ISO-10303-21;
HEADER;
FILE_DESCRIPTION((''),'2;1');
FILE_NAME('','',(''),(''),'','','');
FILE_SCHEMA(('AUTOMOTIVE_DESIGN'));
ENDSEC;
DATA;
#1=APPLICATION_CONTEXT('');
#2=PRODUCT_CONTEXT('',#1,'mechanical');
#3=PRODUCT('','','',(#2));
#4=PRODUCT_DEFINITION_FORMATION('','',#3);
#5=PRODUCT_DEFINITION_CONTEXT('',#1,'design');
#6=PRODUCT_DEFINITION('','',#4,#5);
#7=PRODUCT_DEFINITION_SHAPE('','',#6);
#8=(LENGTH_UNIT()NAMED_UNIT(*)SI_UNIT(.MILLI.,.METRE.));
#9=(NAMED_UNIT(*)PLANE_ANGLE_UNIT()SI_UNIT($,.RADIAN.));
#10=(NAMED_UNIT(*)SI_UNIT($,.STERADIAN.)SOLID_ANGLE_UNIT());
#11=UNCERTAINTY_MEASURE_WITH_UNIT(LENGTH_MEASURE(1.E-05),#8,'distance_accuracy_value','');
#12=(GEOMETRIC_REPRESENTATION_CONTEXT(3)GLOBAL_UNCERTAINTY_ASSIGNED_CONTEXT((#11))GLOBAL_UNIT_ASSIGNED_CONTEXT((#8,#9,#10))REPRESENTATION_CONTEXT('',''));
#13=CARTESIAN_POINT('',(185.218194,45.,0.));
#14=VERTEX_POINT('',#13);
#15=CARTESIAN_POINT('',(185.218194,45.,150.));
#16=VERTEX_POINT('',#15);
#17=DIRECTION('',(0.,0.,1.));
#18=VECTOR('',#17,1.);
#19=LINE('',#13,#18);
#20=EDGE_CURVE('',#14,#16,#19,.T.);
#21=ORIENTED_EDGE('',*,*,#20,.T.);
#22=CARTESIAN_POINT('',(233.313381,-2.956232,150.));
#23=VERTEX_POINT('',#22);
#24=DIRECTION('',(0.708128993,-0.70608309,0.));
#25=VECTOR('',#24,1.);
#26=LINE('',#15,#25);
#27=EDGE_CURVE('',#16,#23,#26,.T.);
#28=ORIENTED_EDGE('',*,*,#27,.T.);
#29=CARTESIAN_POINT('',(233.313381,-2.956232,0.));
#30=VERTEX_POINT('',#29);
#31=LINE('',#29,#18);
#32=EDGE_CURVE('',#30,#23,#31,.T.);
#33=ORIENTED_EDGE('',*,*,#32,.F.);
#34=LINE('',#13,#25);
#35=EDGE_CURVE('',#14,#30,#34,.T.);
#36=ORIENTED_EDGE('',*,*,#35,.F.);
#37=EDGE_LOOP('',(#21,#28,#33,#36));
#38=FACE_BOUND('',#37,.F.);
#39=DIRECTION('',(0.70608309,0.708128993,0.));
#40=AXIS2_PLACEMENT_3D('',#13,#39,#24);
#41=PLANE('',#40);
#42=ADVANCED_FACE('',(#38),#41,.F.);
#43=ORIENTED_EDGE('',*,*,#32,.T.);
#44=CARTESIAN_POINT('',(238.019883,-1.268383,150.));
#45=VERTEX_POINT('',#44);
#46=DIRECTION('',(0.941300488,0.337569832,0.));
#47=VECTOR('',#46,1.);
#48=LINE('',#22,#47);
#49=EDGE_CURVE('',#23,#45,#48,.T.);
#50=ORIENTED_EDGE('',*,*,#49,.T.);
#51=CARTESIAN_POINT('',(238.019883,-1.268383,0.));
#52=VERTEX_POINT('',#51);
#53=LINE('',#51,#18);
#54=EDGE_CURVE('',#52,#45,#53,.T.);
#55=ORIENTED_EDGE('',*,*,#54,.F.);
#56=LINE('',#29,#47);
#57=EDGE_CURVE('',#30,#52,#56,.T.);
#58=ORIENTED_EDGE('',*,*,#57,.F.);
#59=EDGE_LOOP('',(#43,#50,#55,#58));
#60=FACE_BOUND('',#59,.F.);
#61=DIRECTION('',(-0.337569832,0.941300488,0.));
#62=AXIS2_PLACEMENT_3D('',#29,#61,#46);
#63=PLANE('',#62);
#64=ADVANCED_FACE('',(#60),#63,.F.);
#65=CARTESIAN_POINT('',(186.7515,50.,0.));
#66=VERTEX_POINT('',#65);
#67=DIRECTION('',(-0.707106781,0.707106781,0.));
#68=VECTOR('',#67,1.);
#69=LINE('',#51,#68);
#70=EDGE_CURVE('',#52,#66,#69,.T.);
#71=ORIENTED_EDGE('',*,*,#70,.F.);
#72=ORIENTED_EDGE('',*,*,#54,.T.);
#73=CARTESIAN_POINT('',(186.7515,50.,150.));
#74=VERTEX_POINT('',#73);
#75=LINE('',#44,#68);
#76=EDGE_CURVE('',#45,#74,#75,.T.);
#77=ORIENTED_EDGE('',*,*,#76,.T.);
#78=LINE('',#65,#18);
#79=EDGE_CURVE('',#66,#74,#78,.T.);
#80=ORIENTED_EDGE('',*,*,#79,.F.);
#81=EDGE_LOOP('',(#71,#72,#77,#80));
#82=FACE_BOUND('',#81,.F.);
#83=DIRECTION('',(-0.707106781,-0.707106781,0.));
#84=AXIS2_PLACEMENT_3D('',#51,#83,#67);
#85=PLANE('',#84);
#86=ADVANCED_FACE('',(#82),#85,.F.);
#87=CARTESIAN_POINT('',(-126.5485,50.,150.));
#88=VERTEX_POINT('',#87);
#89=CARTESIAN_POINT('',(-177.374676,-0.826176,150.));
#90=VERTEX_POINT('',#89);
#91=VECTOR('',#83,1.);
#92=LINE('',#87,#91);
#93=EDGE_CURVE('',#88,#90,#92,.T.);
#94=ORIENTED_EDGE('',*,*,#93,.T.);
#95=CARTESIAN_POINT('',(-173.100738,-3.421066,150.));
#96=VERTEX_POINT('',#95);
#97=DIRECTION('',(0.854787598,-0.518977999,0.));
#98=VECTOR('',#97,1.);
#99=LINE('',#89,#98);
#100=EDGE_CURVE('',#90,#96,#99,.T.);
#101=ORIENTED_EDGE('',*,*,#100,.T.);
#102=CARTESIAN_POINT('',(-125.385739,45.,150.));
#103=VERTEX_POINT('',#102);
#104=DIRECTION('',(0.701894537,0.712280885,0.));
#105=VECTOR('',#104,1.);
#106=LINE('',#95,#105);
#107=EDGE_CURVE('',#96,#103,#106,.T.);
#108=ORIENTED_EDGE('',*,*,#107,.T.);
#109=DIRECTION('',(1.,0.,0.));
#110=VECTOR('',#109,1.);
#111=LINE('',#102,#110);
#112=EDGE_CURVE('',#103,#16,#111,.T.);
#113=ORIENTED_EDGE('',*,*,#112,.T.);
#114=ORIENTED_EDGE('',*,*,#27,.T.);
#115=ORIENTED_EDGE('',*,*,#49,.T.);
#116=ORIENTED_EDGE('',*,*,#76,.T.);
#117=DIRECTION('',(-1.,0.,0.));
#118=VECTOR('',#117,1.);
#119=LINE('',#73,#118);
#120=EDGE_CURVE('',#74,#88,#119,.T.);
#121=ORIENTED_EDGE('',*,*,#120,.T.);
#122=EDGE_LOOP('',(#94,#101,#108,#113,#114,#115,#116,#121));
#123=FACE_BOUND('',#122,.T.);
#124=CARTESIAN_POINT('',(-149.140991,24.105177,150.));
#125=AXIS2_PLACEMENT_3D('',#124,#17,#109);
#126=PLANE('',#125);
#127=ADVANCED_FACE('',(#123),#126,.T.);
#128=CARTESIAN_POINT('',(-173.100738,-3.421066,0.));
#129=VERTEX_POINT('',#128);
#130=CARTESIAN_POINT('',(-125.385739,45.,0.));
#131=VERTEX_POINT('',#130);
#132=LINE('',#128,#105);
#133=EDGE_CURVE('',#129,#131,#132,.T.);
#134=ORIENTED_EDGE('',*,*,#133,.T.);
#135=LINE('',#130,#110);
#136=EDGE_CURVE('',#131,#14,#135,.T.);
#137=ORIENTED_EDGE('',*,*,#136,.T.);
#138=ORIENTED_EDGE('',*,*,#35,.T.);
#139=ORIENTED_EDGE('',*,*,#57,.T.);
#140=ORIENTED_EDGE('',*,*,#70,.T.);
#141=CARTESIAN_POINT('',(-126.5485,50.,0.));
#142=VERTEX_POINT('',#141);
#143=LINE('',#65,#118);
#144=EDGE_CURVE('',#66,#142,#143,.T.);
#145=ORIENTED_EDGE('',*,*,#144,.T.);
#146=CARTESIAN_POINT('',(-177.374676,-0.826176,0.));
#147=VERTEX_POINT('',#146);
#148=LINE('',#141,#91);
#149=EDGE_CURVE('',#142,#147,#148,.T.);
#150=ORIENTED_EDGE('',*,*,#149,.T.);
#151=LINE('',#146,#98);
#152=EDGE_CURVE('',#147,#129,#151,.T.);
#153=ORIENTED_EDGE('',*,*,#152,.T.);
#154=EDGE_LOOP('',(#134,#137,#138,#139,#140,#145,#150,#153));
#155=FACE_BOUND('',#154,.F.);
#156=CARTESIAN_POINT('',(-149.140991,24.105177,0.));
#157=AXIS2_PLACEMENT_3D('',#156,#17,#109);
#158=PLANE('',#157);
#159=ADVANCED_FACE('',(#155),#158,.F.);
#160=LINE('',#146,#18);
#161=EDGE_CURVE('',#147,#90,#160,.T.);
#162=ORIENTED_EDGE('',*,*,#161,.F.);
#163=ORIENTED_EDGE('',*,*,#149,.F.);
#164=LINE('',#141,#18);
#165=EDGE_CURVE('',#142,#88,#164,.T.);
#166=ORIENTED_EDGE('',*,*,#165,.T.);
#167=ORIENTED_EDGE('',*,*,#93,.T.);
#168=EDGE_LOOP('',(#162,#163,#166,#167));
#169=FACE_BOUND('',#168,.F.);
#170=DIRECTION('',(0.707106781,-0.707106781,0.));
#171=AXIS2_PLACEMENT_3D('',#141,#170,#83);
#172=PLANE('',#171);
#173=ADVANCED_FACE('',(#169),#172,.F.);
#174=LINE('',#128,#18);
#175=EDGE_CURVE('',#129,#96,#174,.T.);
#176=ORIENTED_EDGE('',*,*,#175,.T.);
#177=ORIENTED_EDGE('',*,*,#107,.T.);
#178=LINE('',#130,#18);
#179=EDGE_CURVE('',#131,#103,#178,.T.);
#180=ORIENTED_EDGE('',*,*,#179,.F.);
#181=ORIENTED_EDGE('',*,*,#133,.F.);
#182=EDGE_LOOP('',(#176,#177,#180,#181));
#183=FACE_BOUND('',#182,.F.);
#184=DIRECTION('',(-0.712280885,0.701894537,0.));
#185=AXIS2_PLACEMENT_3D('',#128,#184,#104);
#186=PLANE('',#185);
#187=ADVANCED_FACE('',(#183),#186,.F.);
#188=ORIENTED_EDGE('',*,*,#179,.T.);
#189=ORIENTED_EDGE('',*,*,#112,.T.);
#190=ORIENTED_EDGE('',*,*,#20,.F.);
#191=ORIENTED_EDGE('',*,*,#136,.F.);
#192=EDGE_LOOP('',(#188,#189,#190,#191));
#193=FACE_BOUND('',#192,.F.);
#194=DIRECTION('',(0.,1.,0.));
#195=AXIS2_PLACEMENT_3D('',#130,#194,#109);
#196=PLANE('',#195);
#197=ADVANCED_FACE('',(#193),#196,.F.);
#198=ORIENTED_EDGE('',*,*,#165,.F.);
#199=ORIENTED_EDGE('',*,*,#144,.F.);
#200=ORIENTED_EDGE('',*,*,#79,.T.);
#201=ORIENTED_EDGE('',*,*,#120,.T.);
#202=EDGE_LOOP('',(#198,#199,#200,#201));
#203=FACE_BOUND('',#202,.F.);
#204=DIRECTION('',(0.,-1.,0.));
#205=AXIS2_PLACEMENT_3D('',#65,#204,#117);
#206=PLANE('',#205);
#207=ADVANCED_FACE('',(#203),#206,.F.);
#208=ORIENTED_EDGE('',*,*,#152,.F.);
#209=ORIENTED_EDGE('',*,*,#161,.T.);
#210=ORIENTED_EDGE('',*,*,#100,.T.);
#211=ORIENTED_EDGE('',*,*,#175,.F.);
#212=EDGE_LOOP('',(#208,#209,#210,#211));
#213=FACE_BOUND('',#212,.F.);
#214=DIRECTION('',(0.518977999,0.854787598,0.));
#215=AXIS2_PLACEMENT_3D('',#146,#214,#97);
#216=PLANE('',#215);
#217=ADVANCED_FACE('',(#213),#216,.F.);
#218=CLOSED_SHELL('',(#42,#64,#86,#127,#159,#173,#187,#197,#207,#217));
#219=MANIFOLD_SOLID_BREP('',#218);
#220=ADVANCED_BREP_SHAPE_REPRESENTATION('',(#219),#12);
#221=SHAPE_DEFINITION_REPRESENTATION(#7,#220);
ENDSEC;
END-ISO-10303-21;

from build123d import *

# Parameters (mm, degrees)
F2_DEPTH = 150


with BuildPart() as f2:
    # F1 (on Top) → F2 (new body)
    with BuildSketch(Plane.XY):
        Polygon((-120.458648, 50), (-126.5485, 50), (-177.374676, -0.826176), (-173.100738, -3.421066), (-125.385739, 45), align=None)
        Polygon((180.203707, 50), (-120.458648, 50), (-125.385739, 45), (185.218194, 45), align=None)
        Polygon((186.7515, 50), (180.203707, 50), (185.218194, 45), (233.313381, -2.956232), (238.019883, -1.268383), align=None)
    extrude(amount=F2_DEPTH)


solid = f2.part
